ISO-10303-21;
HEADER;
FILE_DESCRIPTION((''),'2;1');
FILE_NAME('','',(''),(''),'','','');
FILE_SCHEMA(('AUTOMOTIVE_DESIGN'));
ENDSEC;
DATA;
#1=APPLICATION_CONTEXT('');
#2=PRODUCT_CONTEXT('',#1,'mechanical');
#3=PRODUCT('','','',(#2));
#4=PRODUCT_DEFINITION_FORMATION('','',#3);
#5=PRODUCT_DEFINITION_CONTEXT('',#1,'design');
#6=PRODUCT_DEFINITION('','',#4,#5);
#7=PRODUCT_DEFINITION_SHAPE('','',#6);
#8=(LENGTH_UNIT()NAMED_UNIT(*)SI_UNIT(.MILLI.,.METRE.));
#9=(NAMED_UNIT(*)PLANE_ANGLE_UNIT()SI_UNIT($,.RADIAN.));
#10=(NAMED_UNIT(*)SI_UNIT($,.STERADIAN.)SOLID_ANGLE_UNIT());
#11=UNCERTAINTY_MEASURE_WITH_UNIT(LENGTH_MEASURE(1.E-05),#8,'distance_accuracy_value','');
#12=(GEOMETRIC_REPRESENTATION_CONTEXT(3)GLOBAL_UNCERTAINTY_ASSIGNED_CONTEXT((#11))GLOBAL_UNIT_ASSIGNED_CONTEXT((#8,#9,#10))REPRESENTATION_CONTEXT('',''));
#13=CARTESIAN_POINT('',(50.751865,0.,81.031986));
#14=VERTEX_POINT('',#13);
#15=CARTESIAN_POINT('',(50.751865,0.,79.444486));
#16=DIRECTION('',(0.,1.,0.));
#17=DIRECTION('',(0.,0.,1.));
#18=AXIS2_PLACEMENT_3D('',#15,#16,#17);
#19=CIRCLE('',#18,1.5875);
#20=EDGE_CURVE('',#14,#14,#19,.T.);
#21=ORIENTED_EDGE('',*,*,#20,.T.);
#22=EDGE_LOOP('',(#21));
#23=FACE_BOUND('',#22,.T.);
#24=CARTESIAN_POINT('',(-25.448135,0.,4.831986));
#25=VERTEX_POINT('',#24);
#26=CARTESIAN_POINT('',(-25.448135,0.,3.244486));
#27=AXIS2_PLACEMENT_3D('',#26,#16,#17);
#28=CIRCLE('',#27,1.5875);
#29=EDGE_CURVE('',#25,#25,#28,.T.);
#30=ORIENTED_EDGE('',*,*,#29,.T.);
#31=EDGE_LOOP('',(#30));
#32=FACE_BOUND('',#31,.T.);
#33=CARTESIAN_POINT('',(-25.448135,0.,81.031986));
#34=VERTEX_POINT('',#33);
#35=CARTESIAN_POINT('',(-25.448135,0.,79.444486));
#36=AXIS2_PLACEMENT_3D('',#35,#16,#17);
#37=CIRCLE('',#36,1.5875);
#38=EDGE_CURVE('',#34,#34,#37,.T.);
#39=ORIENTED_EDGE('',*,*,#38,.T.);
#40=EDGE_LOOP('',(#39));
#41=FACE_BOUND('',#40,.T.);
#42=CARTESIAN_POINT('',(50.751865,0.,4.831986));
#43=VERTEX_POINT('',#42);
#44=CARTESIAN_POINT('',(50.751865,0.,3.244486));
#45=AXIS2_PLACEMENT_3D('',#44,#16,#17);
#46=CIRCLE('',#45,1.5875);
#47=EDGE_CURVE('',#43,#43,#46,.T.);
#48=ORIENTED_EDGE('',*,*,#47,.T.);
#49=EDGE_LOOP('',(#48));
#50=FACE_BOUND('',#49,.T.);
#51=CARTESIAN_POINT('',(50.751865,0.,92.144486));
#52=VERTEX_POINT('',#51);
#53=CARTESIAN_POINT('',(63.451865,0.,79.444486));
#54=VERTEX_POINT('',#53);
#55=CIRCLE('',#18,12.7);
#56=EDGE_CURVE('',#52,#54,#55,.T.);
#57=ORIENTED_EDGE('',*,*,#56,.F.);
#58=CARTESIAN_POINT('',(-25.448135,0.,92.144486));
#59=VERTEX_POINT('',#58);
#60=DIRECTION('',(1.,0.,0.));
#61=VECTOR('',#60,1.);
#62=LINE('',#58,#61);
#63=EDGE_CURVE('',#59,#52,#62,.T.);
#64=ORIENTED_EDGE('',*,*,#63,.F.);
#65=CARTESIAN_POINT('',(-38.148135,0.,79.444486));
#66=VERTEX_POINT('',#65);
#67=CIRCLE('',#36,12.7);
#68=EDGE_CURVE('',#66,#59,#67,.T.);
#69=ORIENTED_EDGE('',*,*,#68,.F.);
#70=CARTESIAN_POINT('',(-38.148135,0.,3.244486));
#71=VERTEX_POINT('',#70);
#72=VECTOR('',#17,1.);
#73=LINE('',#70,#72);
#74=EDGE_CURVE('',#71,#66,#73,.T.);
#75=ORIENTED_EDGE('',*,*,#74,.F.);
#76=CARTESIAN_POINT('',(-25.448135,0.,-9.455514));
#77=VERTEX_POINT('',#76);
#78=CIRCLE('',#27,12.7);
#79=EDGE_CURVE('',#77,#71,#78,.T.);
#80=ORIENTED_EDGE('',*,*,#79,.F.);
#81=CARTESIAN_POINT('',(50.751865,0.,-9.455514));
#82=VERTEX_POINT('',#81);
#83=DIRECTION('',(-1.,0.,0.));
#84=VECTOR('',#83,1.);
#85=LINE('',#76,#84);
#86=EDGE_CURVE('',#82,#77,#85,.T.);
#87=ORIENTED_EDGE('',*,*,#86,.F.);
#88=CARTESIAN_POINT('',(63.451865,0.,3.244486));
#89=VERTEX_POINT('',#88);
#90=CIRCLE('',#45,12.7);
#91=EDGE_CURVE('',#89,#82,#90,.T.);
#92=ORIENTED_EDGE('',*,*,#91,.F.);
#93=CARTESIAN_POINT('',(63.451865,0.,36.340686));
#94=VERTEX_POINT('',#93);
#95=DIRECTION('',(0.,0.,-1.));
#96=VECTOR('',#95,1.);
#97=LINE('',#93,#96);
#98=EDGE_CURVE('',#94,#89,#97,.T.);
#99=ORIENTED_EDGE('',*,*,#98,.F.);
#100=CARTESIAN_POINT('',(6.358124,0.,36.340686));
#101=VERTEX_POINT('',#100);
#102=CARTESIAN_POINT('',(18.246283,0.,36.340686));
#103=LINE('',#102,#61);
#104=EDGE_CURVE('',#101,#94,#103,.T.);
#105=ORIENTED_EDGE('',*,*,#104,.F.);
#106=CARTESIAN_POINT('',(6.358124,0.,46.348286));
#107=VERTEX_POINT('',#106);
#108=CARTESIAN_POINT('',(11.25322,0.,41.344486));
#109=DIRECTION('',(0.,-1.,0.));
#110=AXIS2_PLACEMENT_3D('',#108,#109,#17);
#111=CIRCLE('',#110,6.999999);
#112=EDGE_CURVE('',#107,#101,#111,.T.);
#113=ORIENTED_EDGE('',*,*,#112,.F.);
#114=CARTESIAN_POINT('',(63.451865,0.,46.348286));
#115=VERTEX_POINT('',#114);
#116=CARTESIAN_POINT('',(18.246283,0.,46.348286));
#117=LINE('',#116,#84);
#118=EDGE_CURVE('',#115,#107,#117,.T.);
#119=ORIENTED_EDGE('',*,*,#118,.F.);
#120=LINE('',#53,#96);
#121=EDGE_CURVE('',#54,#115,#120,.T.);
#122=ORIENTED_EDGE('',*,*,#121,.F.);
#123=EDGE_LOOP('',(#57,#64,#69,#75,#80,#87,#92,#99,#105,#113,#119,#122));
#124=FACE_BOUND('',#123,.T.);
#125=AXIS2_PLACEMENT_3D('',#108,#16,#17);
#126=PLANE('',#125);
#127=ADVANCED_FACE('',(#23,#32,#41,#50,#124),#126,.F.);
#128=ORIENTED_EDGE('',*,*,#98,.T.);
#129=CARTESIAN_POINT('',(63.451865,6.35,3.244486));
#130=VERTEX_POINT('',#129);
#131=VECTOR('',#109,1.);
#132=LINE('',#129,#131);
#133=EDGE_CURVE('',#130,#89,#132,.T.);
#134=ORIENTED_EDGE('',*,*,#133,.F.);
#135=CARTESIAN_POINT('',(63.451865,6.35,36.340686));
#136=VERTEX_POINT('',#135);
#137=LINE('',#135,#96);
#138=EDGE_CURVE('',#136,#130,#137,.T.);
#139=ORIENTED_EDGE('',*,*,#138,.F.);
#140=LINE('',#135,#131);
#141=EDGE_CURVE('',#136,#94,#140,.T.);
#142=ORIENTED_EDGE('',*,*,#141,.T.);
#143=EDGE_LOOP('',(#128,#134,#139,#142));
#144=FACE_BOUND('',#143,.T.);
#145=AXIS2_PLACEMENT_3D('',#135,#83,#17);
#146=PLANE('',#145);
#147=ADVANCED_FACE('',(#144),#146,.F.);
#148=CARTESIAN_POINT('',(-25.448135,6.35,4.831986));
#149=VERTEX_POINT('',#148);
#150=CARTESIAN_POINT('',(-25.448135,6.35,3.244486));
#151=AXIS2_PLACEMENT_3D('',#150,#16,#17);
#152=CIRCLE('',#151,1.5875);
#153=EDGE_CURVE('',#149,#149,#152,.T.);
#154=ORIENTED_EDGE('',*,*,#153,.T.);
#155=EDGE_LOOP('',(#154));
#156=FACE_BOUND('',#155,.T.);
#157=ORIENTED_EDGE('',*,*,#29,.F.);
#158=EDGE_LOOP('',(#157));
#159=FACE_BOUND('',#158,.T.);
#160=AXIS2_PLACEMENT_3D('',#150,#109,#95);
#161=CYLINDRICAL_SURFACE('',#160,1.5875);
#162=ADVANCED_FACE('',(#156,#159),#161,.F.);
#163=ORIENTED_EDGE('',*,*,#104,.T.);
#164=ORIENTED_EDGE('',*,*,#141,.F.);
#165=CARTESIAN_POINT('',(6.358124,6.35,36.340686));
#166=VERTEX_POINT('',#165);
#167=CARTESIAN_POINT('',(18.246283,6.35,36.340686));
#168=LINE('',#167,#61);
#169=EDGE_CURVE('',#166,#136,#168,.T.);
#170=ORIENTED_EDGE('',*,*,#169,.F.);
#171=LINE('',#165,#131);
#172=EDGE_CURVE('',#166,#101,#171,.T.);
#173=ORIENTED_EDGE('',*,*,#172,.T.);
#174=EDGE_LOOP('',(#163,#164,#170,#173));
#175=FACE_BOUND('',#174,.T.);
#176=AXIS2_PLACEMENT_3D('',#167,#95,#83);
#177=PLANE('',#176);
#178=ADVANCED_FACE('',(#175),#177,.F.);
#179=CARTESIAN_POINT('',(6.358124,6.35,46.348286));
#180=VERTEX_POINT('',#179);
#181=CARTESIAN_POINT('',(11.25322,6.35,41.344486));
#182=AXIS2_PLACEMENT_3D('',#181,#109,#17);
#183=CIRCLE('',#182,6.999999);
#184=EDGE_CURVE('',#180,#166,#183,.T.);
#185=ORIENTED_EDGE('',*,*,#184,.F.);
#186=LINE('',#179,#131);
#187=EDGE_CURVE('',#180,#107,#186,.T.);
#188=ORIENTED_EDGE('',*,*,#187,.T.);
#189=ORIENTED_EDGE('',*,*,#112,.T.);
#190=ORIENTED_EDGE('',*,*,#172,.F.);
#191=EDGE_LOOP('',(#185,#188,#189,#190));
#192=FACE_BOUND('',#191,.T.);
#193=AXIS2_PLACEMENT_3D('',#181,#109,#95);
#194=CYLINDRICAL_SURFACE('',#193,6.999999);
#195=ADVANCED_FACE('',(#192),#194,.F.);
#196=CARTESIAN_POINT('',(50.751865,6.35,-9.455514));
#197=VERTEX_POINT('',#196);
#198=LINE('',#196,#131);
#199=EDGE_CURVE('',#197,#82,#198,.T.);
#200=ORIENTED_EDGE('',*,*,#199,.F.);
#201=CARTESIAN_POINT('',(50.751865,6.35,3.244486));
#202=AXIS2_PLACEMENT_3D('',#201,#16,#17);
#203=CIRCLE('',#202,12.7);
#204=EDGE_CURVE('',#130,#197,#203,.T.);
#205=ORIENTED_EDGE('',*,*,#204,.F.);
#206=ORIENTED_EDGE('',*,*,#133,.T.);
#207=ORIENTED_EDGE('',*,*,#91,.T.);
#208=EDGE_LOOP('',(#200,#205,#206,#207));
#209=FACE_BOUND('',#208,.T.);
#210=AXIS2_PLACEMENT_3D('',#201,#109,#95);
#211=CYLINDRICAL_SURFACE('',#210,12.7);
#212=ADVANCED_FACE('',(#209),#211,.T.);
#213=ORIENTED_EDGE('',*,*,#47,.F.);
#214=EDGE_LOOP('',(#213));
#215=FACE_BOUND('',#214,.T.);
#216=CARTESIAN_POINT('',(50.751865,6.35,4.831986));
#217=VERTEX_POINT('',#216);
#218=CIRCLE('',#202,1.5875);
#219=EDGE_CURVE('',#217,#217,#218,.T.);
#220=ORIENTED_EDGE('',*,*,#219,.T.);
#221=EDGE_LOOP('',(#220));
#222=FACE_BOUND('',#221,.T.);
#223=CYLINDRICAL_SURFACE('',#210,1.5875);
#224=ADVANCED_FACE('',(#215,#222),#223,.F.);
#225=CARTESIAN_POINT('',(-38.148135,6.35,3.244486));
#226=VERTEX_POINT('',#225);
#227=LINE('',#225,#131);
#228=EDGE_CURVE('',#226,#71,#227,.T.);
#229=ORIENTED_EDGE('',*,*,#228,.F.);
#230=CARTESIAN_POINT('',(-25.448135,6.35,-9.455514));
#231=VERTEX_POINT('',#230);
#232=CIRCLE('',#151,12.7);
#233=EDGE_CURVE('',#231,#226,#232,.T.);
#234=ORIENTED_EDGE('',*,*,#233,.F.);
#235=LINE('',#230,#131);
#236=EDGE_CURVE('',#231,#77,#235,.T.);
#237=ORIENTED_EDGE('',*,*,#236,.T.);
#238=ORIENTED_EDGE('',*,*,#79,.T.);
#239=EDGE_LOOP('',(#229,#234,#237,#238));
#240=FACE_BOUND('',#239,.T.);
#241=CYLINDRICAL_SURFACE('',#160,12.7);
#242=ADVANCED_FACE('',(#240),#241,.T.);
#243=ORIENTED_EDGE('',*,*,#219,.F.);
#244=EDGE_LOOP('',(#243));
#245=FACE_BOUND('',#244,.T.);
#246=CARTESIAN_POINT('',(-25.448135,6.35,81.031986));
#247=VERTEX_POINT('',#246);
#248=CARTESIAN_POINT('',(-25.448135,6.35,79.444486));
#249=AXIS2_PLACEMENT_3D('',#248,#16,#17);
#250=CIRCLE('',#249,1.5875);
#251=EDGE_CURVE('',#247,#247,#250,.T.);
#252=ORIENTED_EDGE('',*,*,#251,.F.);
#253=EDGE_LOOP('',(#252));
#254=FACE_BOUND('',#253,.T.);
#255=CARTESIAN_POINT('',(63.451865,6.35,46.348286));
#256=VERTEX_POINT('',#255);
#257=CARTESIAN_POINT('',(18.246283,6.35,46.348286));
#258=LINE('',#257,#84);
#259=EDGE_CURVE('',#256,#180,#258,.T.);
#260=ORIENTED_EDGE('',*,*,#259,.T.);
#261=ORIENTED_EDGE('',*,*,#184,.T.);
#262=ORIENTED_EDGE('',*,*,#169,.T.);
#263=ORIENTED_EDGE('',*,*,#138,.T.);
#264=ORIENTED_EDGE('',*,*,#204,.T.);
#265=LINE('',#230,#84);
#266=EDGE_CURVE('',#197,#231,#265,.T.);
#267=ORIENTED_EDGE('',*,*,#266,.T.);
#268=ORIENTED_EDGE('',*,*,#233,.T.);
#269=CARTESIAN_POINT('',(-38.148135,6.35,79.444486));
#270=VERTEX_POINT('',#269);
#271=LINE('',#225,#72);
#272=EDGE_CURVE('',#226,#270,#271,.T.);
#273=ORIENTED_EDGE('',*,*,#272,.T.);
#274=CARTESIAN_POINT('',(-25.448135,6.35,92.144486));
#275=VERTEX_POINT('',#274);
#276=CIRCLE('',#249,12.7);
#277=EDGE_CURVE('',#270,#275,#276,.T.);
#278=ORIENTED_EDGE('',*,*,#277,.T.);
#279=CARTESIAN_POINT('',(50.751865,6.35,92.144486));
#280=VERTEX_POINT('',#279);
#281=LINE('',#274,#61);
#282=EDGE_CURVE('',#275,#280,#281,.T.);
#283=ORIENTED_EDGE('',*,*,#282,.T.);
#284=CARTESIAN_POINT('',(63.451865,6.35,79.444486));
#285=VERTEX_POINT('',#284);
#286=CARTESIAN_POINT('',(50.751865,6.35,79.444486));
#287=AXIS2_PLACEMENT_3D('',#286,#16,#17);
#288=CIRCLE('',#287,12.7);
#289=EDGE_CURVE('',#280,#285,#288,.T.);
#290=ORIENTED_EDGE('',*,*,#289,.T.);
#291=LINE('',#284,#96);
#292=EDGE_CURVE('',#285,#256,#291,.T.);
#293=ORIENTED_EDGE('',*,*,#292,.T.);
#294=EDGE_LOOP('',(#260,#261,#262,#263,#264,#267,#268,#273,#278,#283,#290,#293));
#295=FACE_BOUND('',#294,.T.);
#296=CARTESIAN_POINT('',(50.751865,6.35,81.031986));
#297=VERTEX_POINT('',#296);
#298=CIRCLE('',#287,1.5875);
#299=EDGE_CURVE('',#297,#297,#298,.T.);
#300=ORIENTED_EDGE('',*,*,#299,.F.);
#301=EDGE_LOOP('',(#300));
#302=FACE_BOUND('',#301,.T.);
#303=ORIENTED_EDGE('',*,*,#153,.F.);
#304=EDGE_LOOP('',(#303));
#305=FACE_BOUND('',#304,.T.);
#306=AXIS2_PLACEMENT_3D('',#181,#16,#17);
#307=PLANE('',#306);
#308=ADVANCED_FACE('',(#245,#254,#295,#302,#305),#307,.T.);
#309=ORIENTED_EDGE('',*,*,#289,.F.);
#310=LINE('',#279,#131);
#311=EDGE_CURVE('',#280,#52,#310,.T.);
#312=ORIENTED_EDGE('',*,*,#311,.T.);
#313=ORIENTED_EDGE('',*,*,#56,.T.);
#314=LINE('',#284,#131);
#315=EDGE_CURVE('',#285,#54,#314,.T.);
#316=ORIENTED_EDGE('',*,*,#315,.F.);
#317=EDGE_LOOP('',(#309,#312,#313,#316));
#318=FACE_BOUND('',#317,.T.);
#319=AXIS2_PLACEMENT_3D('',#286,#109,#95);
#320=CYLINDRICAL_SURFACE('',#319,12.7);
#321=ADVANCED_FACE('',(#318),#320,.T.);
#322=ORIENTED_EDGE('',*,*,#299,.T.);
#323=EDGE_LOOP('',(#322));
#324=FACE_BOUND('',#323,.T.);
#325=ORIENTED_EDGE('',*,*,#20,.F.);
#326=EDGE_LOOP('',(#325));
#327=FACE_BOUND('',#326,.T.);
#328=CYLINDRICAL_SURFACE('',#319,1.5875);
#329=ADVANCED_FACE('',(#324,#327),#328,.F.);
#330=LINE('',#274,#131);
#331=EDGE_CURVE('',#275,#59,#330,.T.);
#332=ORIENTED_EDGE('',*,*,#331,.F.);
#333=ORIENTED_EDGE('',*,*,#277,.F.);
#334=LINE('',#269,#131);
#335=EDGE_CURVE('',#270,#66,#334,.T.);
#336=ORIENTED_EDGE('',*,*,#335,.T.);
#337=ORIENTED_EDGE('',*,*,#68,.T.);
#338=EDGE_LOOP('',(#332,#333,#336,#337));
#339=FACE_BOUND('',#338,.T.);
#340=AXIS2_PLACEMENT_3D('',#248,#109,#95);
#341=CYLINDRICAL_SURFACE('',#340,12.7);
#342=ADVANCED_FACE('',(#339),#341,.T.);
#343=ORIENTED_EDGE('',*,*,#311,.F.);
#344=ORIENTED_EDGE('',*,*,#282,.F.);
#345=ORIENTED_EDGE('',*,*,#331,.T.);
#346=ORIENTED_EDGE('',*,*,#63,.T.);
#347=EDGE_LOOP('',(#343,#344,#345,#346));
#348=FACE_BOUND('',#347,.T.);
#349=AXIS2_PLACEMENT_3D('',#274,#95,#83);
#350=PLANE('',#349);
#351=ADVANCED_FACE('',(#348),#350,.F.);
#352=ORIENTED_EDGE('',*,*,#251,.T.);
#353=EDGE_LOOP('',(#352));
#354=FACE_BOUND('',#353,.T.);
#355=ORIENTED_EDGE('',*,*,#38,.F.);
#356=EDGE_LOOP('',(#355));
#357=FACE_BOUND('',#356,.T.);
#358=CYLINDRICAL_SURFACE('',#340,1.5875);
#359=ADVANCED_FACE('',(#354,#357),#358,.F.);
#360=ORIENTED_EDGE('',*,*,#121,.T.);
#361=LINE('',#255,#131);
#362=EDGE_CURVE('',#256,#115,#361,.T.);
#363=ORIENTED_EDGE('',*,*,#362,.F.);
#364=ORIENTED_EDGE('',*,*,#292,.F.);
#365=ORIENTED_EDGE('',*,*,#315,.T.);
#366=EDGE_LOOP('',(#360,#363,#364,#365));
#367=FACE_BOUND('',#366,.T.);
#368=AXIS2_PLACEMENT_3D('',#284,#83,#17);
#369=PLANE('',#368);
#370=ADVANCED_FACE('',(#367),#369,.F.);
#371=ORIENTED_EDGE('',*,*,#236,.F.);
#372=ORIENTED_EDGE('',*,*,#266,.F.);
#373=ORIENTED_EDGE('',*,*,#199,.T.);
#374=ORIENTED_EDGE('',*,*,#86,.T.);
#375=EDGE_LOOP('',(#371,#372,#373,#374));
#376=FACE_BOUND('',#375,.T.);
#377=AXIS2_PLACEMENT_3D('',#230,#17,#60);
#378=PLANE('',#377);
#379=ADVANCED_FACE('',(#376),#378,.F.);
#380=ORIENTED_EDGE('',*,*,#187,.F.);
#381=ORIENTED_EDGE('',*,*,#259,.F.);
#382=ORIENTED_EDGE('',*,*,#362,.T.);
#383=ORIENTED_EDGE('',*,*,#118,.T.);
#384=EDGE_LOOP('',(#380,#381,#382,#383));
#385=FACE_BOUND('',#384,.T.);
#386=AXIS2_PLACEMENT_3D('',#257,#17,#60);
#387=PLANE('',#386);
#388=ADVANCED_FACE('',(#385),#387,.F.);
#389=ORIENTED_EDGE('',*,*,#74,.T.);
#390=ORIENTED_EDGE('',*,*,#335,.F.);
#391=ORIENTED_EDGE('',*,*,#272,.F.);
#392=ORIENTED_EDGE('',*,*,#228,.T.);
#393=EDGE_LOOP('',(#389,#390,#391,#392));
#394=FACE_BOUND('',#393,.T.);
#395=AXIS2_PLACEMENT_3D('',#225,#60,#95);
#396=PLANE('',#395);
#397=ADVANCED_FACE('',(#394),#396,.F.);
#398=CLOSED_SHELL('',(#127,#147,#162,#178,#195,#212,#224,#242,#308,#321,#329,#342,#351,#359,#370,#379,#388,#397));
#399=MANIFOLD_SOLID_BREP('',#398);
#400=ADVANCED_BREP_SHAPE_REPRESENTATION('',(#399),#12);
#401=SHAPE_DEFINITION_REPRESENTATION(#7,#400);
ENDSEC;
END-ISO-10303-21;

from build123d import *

# Parameters (mm, degrees)
SKETCH1_R           = 1.5875
BOSS_EXTRUDE1_DEPTH = 6.35


with BuildPart() as part:
    # Sketch1 → Boss-Extrude1 (new body)
    with BuildSketch(Plane(origin=(0, 0, 0), x_dir=(1, 0, 0), z_dir=(0, 1, 0))):
        with BuildLine():
            Line((63.451864614, -36.34068615), (63.451864614, -3.24448615))
            ThreePointArc((63.451864614, -3.24448615), (59.732120735, 5.735769971), (50.751864614, 9.45551385))
            Line((50.751864614, 9.45551385), (-25.448135386, 9.45551385))
            ThreePointArc((-25.448135386, 9.45551385), (-34.428391507, 5.735769971), (-38.148135386, -3.24448615))
            Line((-38.148135386, -3.24448615), (-38.148135386, -79.44448615))
            ThreePointArc((-38.148135386, -79.44448615), (-34.428391507, -88.424742271), (-25.448135386, -92.14448615))
            Line((-25.448135386, -92.14448615), (50.751864614, -92.14448615))
            ThreePointArc((50.751864614, -92.14448615), (59.732120735, -88.424742271), (63.451864614, -79.44448615))
            Line((63.451864614, -79.44448615), (63.451864614, -46.34828615))
            Line((63.451864614, -46.34828615), (18.246283087, -46.34828615))
            Line((18.246283087, -46.34828615), (6.358123925, -46.34828615))
            ThreePointArc((6.358123925, -46.34828615), (4.253221481, -41.34448615), (6.358123925, -36.34068615))
            Line((6.358123925, -36.34068615), (18.246283087, -36.34068615))
            Line((18.246283087, -36.34068615), (63.451864614, -36.34068615))
        make_face()
        with Locations(Location((-25.448135386, -79.44448615, 0), (0, 0, 270))):
            Circle(SKETCH1_R, mode=Mode.SUBTRACT)
        with Locations(Location((50.751864614, -79.44448615, 0), (0, 0, 270))):
            Circle(SKETCH1_R, mode=Mode.SUBTRACT)
        with Locations(Location((50.751864614, -3.24448615, 0), (0, 0, 270))):
            Circle(SKETCH1_R, mode=Mode.SUBTRACT)
        with Locations(Location((-25.448135386, -3.24448615, 0), (0, 0, 270))):
            Circle(SKETCH1_R, mode=Mode.SUBTRACT)
    extrude(amount=BOSS_EXTRUDE1_DEPTH)


solid = part.part
